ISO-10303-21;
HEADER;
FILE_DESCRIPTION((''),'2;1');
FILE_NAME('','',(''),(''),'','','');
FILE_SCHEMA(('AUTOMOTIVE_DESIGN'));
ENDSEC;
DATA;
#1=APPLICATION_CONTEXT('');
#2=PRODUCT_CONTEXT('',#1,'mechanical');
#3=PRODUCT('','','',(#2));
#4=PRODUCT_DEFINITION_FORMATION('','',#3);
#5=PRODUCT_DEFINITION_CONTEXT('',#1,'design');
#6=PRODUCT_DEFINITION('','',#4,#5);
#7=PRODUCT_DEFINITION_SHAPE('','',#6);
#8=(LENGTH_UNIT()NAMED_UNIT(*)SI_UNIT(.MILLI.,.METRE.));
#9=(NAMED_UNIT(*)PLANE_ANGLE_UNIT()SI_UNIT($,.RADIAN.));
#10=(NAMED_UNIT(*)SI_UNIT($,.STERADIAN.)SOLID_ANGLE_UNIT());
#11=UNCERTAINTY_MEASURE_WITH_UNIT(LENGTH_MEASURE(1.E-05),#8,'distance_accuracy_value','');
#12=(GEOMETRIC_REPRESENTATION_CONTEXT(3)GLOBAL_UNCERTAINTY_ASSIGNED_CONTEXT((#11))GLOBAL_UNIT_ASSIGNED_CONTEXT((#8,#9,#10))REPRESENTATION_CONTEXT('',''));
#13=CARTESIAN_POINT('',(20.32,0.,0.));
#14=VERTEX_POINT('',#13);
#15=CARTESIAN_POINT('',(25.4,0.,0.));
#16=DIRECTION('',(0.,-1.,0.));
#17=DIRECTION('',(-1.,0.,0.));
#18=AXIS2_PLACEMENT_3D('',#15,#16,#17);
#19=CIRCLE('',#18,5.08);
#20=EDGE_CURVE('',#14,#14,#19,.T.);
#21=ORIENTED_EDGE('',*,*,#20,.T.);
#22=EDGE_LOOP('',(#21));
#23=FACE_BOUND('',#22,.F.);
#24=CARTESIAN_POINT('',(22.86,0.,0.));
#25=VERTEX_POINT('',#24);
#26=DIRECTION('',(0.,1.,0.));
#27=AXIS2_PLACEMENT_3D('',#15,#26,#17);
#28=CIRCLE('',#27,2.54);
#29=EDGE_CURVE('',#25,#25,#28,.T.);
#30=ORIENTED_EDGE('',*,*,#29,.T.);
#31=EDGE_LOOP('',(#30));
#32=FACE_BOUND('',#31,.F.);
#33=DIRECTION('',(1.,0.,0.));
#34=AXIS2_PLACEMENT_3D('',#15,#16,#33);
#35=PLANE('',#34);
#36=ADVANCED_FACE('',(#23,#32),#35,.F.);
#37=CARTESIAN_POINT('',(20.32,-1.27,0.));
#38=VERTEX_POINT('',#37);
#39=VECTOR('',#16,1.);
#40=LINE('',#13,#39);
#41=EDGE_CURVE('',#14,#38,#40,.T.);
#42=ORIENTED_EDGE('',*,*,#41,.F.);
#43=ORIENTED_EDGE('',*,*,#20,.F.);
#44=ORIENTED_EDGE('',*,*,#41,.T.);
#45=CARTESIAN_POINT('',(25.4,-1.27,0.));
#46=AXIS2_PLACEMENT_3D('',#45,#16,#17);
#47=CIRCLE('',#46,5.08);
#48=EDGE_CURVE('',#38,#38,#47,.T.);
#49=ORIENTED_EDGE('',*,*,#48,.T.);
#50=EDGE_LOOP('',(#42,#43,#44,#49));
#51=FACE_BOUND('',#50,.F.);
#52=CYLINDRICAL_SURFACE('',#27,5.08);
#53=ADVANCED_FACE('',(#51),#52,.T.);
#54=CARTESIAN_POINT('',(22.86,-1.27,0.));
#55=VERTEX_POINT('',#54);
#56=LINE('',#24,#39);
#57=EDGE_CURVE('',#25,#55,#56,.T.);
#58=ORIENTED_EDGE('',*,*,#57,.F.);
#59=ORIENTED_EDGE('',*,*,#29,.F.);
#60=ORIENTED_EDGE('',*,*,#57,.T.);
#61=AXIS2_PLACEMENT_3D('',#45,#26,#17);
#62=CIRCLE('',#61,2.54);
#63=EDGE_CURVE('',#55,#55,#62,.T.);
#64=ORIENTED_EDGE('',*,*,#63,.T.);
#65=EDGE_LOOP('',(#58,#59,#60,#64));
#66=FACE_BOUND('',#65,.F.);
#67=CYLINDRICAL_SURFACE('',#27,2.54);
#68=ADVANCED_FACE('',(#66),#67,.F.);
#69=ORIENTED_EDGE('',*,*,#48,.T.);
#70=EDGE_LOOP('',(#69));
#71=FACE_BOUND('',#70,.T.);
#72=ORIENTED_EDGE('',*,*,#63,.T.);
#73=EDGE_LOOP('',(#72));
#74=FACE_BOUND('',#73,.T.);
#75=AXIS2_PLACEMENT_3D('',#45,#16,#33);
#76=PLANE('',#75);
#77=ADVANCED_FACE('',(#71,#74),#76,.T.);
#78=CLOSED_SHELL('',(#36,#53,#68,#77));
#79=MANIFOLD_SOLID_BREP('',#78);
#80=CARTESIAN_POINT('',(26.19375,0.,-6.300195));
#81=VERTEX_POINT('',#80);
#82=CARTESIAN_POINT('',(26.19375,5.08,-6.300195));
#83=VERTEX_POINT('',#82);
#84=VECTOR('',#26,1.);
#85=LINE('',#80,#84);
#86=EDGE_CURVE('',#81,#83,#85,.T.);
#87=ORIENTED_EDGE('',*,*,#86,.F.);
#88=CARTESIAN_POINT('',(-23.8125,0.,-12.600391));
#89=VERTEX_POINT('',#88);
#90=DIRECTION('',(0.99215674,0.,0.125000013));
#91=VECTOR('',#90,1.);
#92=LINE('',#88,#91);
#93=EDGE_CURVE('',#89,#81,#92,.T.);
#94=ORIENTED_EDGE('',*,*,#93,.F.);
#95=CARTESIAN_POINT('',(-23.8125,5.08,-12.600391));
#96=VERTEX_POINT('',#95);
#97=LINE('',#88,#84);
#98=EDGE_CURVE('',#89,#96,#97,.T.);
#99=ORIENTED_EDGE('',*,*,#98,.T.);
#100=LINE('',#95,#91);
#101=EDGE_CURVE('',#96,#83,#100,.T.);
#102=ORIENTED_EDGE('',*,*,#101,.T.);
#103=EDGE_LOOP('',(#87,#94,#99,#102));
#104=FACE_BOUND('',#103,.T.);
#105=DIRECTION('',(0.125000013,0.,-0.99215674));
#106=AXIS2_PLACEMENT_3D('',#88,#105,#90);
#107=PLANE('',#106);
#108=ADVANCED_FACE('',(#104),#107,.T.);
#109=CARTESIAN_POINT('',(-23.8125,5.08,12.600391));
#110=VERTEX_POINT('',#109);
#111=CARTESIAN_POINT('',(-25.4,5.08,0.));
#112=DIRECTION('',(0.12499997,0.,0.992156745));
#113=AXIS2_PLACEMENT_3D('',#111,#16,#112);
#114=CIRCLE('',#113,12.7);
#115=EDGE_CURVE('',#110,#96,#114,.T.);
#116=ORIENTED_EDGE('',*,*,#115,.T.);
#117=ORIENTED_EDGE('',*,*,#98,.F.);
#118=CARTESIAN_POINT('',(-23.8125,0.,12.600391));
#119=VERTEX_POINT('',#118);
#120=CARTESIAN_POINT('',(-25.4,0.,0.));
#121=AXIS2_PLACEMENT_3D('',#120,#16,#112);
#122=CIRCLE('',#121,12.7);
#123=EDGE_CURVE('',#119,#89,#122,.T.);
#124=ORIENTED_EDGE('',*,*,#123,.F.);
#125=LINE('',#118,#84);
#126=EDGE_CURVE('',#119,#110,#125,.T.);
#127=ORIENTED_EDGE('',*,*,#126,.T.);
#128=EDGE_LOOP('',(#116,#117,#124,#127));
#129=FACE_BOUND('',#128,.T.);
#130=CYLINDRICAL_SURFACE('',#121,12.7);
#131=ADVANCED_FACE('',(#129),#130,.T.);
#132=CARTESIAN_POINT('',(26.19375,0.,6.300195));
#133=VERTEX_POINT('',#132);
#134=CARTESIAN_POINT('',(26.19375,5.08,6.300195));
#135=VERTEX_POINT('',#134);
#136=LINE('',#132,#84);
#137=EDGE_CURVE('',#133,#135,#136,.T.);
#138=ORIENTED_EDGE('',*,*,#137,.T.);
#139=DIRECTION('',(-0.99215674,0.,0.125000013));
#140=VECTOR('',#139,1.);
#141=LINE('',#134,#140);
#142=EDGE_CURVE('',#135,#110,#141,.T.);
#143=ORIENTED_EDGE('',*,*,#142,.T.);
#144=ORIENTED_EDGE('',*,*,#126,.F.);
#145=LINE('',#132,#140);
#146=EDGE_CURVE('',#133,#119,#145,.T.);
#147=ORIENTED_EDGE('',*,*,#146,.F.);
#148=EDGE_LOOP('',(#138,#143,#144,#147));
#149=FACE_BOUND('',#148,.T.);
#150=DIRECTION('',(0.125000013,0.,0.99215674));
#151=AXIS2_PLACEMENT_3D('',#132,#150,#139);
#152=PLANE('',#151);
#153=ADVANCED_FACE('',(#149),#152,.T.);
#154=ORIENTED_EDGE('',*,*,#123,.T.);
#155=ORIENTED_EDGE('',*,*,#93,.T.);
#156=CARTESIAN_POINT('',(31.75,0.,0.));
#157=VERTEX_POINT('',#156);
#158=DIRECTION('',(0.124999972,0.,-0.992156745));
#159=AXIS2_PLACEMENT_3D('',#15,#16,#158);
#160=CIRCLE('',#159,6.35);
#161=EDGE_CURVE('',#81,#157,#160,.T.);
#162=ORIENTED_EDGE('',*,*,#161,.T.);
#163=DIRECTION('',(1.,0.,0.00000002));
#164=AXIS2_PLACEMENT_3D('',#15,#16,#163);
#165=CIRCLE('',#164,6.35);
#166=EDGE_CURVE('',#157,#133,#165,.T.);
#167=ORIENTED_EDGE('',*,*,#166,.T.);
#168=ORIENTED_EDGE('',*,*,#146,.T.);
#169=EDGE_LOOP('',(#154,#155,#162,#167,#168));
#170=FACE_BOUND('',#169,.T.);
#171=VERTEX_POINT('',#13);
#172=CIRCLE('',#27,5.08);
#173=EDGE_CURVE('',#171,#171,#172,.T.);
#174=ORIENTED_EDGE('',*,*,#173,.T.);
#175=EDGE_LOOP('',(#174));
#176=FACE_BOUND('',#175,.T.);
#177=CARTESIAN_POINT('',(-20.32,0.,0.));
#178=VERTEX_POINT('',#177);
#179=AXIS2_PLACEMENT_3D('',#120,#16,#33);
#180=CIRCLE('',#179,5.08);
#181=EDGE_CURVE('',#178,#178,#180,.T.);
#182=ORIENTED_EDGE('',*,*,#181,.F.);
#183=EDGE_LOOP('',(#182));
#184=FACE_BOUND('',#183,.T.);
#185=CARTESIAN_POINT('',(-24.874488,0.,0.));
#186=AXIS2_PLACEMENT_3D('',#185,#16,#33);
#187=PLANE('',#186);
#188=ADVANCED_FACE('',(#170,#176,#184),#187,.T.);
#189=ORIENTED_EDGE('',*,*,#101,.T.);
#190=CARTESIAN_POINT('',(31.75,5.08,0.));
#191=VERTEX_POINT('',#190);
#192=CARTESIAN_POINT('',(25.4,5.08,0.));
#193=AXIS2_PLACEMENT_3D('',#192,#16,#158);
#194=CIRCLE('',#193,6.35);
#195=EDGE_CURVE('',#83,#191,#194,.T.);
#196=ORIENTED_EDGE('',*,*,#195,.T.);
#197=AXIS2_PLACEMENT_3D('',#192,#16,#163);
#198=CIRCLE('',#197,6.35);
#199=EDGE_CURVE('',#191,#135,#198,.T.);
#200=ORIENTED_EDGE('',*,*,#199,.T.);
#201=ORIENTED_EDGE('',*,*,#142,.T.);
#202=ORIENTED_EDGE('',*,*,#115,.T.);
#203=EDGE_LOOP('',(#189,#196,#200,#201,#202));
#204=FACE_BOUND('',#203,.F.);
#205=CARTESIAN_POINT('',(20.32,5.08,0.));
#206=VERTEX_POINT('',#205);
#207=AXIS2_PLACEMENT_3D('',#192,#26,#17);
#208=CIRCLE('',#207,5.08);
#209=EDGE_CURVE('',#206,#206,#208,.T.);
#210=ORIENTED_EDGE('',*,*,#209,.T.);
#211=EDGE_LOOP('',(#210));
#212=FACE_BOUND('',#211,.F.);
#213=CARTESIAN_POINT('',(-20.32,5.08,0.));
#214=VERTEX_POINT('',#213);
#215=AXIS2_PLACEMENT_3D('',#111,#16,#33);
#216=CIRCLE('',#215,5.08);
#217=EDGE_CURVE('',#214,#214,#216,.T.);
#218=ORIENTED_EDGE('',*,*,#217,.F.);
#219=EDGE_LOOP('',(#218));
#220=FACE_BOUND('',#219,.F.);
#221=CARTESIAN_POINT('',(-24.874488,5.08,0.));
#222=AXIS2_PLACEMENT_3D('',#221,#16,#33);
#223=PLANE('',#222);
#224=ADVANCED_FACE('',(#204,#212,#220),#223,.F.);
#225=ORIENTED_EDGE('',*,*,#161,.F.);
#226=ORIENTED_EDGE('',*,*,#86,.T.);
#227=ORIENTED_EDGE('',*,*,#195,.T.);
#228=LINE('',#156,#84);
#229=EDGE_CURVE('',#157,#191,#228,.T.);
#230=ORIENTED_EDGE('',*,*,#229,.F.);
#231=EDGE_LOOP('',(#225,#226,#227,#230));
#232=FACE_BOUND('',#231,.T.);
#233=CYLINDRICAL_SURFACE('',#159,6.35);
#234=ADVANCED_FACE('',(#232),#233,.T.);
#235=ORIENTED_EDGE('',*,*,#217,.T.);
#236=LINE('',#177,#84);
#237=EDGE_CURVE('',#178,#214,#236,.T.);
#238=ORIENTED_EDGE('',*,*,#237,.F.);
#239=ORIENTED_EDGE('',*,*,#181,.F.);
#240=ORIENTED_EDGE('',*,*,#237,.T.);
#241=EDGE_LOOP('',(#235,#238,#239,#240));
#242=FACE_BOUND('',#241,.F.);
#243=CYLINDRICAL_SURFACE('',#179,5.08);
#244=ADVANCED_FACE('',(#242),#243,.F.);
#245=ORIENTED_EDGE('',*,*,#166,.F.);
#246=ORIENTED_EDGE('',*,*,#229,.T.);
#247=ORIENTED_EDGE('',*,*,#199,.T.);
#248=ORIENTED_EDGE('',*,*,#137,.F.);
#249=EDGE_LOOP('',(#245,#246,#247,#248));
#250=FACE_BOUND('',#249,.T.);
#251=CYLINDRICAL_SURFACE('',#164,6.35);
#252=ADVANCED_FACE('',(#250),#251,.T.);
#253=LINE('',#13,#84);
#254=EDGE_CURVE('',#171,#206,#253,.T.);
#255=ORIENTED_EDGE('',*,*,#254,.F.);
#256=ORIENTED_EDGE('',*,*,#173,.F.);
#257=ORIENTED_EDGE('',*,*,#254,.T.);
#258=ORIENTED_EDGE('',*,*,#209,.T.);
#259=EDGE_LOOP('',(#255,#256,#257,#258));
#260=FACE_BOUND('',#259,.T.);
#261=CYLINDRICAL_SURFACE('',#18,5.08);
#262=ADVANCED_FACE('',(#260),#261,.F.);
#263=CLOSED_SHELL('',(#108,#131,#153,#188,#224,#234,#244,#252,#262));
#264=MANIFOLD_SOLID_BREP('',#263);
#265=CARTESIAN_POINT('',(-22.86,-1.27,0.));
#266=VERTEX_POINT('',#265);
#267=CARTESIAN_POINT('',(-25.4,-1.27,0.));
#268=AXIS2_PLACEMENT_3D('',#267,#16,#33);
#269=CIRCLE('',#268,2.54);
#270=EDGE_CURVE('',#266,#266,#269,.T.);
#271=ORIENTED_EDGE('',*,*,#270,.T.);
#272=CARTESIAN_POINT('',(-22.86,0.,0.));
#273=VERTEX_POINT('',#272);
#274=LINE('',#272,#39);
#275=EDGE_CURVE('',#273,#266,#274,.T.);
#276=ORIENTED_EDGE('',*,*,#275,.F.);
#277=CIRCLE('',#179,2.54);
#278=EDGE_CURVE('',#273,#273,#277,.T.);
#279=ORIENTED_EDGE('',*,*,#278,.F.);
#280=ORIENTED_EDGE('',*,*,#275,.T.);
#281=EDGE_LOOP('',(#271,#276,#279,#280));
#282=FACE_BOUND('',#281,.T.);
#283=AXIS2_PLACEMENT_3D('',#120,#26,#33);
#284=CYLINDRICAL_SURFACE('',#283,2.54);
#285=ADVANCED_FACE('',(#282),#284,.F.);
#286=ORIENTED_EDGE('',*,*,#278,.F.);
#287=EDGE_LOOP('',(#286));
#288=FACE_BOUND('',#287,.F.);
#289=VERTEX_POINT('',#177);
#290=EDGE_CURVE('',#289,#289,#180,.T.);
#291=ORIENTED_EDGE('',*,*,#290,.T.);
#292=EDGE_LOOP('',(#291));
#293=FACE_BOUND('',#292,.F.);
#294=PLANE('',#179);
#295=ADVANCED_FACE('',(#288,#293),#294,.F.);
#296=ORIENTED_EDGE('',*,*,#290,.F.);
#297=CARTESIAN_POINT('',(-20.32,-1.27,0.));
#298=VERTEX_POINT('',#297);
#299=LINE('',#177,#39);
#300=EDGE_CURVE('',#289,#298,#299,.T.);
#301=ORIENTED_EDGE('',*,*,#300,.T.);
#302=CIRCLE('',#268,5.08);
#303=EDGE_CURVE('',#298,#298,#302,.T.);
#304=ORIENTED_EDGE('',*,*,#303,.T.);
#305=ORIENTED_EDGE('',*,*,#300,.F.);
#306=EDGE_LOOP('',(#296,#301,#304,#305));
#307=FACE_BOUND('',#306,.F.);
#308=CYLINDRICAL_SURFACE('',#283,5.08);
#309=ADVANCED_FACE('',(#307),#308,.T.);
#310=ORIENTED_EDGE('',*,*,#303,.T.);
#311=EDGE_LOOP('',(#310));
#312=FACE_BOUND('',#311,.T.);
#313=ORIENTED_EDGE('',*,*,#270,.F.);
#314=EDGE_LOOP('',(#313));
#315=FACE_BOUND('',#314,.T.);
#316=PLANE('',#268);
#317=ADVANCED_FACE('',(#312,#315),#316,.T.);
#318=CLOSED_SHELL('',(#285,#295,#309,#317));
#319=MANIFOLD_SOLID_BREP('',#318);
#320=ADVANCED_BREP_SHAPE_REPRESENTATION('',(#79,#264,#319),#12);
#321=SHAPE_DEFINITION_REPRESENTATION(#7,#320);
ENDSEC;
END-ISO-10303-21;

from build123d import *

# Parameters (mm, degrees)
F0_R     = 5.08
F0_R_2   = 2.54
F1_DEPTH = 1.27
F2_DEPTH = 5.08


with BuildPart() as f1:
    # F0 (on Front) → F1 (new body)
    with BuildSketch(Plane.XZ):
        with BuildLine():
            ThreePointArc((30.48, 0), (25.4, 5.08), (20.32, 0))
            ThreePointArc((20.32, 0), (25.4, -5.08), (30.48, 0))
        make_face()
        with BuildLine():
            ThreePointArc((27.94, 0), (25.4, -2.54), (22.86, 0))
            ThreePointArc((22.86, 0), (25.4, 2.54), (27.94, 0))
        make_face(mode=Mode.SUBTRACT)
        with Locations((-25.4, 0)):
            Circle(F0_R)
        with Locations((-25.4, 0)):
            Circle(F0_R_2, mode=Mode.SUBTRACT)
    extrude(amount=F1_DEPTH)


with BuildPart() as f2:
    # F0 (on Front) → F2 (new body)
    with BuildSketch(Plane.XZ):
        with BuildLine():
            ThreePointArc((-23.8125, -12.600391), (-15.875, -8.40026), (-12.7, 0))
            ThreePointArc((-12.7, 0), (-15.875, 8.40026), (-23.8125, 12.600391))
            ThreePointArc((-23.8125, 12.600391), (-38.1, 0), (-23.8125, -12.600391))
        make_face()
        with Locations((-25.4, 0)):
            Circle(F0_R, mode=Mode.SUBTRACT)
        with BuildLine():
            ThreePointArc((-23.8125, 12.600391), (-15.875, 8.40026), (-12.7, 0))
            Line((-12.7, 0), (19.05, 0))
            ThreePointArc((19.05, 0), (21.19987, 4.7625), (26.19375, 6.300195))
            Line((26.19375, 6.300195), (-23.8125, 12.600391))
        make_face()
        with BuildLine():
            Line((19.05, 0), (-12.7, 0))
            ThreePointArc((-12.7, 0), (-15.875, -8.40026), (-23.8125, -12.600391))
            Line((-23.8125, -12.600391), (26.19375, -6.300195))
            ThreePointArc((26.19375, -6.300195), (21.19987, -4.7625), (19.05, 0))
        make_face()
        with BuildLine():
            ThreePointArc((26.19375, 6.300195), (21.19987, 4.7625), (19.05, 0))
            ThreePointArc((19.05, 0), (21.19987, -4.7625), (26.19375, -6.300195))
            ThreePointArc((26.19375, -6.300195), (30.1625, -4.20013), (31.75, 0))
            ThreePointArc((31.75, 0), (30.1625, 4.20013), (26.19375, 6.300195))
        make_face()
        with BuildLine():
            ThreePointArc((30.48, 0), (25.4, -5.08), (20.32, 0))
            ThreePointArc((20.32, 0), (25.4, 5.08), (30.48, 0))
        make_face(mode=Mode.SUBTRACT)
    extrude(amount=-F2_DEPTH)


solid = Compound([f1.part, f2.part])
